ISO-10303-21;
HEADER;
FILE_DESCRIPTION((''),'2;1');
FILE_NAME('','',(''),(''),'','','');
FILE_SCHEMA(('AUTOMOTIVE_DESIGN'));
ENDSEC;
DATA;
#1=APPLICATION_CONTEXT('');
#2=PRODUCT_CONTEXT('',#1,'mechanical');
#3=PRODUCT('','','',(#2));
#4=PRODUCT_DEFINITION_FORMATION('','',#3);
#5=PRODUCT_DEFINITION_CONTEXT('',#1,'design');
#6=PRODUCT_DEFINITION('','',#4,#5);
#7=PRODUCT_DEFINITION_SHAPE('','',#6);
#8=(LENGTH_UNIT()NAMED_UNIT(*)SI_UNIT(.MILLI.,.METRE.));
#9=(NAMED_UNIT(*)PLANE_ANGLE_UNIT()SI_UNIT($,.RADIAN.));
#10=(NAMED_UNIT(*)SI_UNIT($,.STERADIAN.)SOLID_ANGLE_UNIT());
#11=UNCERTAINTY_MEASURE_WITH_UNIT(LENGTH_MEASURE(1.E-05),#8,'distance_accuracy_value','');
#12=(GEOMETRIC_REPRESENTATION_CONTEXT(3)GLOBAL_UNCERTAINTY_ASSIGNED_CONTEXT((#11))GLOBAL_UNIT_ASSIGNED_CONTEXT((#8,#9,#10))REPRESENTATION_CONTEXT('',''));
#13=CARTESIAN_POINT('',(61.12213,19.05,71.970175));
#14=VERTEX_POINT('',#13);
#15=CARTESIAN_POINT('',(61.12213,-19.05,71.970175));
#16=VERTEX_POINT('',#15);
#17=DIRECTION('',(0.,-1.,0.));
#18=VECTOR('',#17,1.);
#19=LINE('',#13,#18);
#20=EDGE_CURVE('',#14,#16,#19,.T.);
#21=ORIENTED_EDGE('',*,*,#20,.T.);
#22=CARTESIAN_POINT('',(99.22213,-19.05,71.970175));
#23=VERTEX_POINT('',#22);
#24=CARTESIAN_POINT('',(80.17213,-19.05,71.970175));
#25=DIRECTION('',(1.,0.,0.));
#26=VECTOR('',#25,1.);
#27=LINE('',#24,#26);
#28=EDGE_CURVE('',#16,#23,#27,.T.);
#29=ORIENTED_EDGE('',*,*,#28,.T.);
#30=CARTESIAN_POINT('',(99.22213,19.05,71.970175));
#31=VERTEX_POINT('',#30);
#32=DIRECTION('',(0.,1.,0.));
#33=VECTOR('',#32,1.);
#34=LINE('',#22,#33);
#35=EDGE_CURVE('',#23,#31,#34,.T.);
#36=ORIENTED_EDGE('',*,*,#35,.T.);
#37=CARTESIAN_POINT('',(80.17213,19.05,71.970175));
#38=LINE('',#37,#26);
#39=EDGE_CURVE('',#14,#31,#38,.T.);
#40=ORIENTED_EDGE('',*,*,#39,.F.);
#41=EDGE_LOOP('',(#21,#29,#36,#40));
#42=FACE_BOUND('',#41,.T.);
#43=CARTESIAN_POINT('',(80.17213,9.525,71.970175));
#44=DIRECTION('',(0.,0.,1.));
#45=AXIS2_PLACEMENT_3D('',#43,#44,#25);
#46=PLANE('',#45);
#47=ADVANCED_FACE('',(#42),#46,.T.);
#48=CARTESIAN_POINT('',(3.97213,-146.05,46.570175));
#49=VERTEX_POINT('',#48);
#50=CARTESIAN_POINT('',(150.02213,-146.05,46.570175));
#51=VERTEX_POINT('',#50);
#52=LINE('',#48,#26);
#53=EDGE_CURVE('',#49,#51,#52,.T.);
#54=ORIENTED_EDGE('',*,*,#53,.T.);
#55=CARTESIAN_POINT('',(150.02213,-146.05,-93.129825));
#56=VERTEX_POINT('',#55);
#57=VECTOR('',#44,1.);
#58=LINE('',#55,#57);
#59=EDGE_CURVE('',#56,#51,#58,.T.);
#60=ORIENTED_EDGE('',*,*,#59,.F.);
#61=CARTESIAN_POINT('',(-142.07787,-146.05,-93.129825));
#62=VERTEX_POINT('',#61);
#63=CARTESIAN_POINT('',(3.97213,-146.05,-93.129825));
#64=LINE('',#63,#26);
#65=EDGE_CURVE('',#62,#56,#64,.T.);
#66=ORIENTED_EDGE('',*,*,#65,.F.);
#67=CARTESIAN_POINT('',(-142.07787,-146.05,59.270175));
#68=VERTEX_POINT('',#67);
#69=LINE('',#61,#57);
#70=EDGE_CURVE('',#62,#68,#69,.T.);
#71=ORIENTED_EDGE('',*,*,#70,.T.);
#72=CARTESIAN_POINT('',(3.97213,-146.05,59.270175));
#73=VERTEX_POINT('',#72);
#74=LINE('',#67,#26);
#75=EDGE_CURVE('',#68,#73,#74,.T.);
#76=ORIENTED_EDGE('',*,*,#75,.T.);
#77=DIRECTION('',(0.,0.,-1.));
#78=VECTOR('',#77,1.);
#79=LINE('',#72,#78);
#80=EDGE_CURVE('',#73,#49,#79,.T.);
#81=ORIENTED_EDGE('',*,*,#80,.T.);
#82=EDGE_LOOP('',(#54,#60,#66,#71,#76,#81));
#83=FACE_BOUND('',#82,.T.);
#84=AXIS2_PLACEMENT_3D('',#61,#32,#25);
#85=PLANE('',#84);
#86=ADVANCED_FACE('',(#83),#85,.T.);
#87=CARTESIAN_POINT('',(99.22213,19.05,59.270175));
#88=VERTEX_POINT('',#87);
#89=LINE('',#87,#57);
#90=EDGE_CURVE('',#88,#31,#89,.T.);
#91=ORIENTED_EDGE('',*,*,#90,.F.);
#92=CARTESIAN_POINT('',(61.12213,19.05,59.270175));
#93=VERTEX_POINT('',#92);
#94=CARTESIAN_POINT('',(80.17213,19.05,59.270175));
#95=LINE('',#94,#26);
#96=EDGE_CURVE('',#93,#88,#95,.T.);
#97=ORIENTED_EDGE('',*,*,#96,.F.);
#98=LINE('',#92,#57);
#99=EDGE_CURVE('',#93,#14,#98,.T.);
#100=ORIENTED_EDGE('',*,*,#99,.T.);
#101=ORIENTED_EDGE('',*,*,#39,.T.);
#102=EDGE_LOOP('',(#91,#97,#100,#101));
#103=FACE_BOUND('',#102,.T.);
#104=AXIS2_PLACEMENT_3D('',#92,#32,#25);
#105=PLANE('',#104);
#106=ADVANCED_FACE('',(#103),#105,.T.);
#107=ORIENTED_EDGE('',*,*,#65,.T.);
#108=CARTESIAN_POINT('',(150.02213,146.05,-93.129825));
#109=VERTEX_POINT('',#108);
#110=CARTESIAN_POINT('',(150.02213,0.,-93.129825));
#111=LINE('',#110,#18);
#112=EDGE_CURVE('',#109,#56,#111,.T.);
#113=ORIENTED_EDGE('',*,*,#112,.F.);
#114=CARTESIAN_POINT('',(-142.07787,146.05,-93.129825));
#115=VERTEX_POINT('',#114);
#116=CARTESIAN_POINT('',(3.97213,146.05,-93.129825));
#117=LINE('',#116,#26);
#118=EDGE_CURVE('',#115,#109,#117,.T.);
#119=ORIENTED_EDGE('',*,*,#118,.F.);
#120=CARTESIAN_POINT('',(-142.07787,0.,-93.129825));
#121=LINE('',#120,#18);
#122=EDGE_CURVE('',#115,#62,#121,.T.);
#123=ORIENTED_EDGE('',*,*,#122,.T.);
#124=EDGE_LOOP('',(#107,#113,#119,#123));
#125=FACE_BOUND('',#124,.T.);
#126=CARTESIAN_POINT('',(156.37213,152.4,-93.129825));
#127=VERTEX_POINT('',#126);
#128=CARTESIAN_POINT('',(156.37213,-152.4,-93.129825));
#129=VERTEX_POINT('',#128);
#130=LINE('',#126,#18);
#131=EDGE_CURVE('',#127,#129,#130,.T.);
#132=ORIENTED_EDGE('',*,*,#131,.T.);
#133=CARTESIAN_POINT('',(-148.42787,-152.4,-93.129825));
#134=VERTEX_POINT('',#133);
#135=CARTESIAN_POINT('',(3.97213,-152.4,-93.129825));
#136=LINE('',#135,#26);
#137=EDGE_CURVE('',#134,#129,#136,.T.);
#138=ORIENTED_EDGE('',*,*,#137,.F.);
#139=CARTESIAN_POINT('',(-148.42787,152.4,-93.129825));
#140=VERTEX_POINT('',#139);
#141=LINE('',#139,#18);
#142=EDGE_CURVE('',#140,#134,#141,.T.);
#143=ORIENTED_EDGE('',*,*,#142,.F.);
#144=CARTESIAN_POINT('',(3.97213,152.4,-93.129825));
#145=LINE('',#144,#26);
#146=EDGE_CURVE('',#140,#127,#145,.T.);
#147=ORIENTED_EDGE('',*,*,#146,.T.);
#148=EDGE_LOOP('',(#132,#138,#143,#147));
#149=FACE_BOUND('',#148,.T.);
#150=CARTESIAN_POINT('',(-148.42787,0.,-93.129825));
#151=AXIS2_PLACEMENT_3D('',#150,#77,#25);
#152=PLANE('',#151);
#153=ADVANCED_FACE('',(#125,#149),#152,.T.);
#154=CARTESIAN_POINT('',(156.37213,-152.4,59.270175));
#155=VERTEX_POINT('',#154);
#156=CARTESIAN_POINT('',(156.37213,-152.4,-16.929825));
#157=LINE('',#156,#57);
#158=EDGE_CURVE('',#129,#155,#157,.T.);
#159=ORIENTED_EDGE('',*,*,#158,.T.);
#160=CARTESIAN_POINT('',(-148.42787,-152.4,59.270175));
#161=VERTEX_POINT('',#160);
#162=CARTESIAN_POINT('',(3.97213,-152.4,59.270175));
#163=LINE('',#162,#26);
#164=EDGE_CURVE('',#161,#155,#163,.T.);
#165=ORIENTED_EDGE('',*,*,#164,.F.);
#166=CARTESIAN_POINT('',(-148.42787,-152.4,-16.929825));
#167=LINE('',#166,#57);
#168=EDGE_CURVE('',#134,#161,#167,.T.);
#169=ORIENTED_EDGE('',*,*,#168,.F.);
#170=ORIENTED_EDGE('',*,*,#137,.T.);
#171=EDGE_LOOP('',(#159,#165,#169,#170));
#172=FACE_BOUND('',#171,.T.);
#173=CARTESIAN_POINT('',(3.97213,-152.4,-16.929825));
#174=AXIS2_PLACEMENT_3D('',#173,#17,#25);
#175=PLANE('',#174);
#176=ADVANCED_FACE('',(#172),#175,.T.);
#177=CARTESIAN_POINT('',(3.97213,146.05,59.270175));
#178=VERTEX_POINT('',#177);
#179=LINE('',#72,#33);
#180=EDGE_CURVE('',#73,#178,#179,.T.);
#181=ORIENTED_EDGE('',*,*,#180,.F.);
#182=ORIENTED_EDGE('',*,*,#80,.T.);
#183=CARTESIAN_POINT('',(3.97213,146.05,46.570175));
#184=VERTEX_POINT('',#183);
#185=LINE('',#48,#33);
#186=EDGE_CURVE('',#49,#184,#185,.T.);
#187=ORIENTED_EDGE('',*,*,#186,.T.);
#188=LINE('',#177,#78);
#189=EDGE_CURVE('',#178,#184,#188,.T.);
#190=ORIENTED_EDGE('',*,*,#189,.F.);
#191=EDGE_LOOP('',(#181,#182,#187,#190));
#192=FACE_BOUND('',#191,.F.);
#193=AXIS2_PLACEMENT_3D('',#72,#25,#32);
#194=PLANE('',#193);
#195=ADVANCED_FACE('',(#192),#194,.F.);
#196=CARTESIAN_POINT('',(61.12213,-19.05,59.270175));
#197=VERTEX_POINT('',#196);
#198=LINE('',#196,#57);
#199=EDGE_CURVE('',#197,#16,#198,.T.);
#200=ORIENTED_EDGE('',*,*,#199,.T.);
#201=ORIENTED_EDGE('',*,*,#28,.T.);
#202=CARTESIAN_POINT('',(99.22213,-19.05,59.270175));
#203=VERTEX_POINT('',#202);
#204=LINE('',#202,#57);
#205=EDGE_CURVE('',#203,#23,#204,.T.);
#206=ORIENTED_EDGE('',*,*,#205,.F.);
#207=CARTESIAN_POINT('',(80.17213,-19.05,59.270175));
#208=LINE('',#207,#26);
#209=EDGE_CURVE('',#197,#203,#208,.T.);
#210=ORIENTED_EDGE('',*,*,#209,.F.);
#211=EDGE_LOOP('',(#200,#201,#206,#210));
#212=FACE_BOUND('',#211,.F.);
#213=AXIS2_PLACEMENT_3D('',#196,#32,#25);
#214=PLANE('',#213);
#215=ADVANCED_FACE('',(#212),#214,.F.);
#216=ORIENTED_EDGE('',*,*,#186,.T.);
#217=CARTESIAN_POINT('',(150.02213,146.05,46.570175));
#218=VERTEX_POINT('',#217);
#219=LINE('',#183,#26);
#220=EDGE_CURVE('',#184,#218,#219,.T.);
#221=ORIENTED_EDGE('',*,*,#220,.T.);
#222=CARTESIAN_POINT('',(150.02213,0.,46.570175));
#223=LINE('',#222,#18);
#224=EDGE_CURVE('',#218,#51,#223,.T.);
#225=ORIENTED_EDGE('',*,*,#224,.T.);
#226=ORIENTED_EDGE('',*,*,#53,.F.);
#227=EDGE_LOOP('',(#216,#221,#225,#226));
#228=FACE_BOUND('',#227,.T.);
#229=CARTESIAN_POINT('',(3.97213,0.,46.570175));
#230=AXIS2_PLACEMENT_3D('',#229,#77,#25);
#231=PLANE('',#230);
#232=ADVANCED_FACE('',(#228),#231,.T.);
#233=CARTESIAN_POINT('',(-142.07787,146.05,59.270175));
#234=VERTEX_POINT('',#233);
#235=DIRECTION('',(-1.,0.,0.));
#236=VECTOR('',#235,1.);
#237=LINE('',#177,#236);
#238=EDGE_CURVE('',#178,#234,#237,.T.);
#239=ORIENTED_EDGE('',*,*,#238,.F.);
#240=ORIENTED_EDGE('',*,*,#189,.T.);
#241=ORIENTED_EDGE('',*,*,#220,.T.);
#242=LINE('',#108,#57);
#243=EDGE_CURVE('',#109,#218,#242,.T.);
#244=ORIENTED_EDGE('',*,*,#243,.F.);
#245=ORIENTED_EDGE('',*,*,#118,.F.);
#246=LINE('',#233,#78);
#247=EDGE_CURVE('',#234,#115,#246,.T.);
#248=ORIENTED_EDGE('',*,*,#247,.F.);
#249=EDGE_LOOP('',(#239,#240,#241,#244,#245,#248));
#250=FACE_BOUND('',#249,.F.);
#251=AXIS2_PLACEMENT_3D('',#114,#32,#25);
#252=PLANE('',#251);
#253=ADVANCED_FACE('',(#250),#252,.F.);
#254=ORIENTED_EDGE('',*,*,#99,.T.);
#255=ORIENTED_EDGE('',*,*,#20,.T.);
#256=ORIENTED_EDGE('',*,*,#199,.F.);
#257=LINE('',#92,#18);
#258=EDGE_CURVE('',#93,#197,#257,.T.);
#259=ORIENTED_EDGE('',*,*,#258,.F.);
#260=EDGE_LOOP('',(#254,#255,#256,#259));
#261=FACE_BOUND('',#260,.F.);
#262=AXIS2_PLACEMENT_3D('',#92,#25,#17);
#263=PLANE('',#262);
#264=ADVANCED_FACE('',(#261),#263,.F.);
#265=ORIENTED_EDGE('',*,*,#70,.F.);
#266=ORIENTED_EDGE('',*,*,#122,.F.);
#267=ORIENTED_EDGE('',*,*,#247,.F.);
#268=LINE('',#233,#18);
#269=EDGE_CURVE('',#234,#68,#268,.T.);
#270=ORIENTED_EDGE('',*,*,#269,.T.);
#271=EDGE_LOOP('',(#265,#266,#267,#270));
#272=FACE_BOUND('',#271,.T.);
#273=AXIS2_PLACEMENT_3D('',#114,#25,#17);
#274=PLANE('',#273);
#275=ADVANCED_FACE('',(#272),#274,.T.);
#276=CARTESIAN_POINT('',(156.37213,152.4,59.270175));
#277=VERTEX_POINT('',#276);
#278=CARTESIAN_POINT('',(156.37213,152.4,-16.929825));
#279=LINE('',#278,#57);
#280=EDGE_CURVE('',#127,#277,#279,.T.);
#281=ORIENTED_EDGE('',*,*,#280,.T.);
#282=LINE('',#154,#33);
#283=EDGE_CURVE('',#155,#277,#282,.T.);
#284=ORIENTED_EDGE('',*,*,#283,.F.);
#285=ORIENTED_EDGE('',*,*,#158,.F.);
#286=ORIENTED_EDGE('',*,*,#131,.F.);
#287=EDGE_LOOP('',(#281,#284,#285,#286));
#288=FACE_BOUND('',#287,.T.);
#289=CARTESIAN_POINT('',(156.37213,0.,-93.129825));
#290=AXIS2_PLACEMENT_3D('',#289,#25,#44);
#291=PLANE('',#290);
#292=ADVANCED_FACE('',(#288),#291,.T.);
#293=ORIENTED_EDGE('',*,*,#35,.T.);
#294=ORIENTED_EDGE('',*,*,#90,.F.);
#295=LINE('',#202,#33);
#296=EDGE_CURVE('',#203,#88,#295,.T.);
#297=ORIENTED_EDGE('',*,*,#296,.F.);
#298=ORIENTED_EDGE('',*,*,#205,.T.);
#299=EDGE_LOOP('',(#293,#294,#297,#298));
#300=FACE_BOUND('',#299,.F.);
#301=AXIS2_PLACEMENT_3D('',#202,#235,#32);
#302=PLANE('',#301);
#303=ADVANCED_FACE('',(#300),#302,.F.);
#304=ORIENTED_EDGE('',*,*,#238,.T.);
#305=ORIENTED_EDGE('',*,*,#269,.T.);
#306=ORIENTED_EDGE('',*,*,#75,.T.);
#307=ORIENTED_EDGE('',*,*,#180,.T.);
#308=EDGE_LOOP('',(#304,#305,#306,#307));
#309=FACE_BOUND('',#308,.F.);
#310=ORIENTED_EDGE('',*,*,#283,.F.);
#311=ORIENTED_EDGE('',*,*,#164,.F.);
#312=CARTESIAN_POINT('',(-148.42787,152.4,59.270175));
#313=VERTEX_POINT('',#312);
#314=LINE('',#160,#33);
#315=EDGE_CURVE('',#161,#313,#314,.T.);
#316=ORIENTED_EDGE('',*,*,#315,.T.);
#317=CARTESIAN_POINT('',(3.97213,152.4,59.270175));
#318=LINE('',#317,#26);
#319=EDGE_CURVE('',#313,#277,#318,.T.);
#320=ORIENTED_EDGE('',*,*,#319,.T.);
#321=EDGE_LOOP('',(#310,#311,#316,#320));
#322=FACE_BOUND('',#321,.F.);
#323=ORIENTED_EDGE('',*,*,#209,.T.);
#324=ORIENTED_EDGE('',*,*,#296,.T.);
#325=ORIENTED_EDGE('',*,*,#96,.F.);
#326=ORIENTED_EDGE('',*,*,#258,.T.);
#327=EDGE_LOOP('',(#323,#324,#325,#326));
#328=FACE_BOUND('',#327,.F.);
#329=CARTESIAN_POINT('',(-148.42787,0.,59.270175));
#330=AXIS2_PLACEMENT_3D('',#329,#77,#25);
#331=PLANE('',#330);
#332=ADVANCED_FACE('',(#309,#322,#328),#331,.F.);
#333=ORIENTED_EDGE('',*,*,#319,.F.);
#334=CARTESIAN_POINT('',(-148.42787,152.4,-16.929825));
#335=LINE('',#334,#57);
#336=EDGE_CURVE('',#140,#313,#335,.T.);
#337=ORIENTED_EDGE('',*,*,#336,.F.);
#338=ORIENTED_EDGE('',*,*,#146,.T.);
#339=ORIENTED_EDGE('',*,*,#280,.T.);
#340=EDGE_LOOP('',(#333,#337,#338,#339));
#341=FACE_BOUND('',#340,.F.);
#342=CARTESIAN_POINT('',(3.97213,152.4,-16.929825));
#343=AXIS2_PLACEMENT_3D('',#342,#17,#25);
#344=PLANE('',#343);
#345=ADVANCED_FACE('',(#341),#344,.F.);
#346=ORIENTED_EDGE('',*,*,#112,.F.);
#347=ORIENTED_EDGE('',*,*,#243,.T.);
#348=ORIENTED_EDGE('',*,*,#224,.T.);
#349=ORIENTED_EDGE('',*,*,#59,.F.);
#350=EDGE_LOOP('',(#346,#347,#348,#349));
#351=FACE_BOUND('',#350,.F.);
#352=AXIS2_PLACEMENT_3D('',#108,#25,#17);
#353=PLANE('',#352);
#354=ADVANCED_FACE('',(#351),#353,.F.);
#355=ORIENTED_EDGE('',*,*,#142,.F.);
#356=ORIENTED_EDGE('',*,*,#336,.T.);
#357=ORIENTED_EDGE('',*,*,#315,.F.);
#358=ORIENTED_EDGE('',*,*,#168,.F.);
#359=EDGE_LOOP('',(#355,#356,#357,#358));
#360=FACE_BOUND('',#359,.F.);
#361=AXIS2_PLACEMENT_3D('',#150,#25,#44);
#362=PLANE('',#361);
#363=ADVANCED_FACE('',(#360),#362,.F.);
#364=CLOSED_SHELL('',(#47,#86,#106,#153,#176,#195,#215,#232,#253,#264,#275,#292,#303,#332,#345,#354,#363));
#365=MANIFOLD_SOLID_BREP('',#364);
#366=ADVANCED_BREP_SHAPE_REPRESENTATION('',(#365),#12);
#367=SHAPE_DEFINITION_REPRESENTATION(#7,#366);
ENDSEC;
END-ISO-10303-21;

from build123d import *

# Parameters (mm, degrees)
F0_W     = 304.8
F0_H     = 152.4
F1_DEPTH = 152.4
F2_W     = 292.1
F2_H     = 292.1
F3_DEPTH = 139.7
F5_DEPTH = 12.7
F4_W     = 38.1
F4_H     = 19.05
F6_DEPTH = 12.7


with BuildPart() as f1:
    # F0 (on Front) → F1 (new body, symmetric)
    with BuildSketch(Plane.XZ):
        with Locations((3.97213, -16.929825)):
            Rectangle(F0_W, F0_H)
    extrude(amount=F1_DEPTH, both=True)

    # F2 (on face) → F3 (cut)
    with BuildSketch(Plane(origin=(0, 0, -93.129825), x_dir=(1, 0, 0), z_dir=(0, 0, -1))):
        with Locations((3.97213, 0)):
            Rectangle(F2_W, F2_H)
    extrude(amount=-F3_DEPTH, mode=Mode.SUBTRACT)

    # F4 (on face) → F5 (cut)
    with BuildSketch(Plane.XY.offset(59.270175)):
        Polygon((3.97213, 0), (3.97213, 146.05), (-142.07787, 146.05), (-142.07787, -146.05), (3.97213, -146.05), align=None)
    extrude(amount=-F5_DEPTH, mode=Mode.SUBTRACT)

    # F4 (on face) → F6 (join)
    with BuildSketch(Plane.XY.offset(59.270175)):
        with Locations((80.17213, 9.525)):
            Rectangle(F4_W, F4_H)
        with Locations((80.17213, -9.525)):
            Rectangle(F4_W, F4_H)
    extrude(amount=F6_DEPTH)


solid = f1.part
